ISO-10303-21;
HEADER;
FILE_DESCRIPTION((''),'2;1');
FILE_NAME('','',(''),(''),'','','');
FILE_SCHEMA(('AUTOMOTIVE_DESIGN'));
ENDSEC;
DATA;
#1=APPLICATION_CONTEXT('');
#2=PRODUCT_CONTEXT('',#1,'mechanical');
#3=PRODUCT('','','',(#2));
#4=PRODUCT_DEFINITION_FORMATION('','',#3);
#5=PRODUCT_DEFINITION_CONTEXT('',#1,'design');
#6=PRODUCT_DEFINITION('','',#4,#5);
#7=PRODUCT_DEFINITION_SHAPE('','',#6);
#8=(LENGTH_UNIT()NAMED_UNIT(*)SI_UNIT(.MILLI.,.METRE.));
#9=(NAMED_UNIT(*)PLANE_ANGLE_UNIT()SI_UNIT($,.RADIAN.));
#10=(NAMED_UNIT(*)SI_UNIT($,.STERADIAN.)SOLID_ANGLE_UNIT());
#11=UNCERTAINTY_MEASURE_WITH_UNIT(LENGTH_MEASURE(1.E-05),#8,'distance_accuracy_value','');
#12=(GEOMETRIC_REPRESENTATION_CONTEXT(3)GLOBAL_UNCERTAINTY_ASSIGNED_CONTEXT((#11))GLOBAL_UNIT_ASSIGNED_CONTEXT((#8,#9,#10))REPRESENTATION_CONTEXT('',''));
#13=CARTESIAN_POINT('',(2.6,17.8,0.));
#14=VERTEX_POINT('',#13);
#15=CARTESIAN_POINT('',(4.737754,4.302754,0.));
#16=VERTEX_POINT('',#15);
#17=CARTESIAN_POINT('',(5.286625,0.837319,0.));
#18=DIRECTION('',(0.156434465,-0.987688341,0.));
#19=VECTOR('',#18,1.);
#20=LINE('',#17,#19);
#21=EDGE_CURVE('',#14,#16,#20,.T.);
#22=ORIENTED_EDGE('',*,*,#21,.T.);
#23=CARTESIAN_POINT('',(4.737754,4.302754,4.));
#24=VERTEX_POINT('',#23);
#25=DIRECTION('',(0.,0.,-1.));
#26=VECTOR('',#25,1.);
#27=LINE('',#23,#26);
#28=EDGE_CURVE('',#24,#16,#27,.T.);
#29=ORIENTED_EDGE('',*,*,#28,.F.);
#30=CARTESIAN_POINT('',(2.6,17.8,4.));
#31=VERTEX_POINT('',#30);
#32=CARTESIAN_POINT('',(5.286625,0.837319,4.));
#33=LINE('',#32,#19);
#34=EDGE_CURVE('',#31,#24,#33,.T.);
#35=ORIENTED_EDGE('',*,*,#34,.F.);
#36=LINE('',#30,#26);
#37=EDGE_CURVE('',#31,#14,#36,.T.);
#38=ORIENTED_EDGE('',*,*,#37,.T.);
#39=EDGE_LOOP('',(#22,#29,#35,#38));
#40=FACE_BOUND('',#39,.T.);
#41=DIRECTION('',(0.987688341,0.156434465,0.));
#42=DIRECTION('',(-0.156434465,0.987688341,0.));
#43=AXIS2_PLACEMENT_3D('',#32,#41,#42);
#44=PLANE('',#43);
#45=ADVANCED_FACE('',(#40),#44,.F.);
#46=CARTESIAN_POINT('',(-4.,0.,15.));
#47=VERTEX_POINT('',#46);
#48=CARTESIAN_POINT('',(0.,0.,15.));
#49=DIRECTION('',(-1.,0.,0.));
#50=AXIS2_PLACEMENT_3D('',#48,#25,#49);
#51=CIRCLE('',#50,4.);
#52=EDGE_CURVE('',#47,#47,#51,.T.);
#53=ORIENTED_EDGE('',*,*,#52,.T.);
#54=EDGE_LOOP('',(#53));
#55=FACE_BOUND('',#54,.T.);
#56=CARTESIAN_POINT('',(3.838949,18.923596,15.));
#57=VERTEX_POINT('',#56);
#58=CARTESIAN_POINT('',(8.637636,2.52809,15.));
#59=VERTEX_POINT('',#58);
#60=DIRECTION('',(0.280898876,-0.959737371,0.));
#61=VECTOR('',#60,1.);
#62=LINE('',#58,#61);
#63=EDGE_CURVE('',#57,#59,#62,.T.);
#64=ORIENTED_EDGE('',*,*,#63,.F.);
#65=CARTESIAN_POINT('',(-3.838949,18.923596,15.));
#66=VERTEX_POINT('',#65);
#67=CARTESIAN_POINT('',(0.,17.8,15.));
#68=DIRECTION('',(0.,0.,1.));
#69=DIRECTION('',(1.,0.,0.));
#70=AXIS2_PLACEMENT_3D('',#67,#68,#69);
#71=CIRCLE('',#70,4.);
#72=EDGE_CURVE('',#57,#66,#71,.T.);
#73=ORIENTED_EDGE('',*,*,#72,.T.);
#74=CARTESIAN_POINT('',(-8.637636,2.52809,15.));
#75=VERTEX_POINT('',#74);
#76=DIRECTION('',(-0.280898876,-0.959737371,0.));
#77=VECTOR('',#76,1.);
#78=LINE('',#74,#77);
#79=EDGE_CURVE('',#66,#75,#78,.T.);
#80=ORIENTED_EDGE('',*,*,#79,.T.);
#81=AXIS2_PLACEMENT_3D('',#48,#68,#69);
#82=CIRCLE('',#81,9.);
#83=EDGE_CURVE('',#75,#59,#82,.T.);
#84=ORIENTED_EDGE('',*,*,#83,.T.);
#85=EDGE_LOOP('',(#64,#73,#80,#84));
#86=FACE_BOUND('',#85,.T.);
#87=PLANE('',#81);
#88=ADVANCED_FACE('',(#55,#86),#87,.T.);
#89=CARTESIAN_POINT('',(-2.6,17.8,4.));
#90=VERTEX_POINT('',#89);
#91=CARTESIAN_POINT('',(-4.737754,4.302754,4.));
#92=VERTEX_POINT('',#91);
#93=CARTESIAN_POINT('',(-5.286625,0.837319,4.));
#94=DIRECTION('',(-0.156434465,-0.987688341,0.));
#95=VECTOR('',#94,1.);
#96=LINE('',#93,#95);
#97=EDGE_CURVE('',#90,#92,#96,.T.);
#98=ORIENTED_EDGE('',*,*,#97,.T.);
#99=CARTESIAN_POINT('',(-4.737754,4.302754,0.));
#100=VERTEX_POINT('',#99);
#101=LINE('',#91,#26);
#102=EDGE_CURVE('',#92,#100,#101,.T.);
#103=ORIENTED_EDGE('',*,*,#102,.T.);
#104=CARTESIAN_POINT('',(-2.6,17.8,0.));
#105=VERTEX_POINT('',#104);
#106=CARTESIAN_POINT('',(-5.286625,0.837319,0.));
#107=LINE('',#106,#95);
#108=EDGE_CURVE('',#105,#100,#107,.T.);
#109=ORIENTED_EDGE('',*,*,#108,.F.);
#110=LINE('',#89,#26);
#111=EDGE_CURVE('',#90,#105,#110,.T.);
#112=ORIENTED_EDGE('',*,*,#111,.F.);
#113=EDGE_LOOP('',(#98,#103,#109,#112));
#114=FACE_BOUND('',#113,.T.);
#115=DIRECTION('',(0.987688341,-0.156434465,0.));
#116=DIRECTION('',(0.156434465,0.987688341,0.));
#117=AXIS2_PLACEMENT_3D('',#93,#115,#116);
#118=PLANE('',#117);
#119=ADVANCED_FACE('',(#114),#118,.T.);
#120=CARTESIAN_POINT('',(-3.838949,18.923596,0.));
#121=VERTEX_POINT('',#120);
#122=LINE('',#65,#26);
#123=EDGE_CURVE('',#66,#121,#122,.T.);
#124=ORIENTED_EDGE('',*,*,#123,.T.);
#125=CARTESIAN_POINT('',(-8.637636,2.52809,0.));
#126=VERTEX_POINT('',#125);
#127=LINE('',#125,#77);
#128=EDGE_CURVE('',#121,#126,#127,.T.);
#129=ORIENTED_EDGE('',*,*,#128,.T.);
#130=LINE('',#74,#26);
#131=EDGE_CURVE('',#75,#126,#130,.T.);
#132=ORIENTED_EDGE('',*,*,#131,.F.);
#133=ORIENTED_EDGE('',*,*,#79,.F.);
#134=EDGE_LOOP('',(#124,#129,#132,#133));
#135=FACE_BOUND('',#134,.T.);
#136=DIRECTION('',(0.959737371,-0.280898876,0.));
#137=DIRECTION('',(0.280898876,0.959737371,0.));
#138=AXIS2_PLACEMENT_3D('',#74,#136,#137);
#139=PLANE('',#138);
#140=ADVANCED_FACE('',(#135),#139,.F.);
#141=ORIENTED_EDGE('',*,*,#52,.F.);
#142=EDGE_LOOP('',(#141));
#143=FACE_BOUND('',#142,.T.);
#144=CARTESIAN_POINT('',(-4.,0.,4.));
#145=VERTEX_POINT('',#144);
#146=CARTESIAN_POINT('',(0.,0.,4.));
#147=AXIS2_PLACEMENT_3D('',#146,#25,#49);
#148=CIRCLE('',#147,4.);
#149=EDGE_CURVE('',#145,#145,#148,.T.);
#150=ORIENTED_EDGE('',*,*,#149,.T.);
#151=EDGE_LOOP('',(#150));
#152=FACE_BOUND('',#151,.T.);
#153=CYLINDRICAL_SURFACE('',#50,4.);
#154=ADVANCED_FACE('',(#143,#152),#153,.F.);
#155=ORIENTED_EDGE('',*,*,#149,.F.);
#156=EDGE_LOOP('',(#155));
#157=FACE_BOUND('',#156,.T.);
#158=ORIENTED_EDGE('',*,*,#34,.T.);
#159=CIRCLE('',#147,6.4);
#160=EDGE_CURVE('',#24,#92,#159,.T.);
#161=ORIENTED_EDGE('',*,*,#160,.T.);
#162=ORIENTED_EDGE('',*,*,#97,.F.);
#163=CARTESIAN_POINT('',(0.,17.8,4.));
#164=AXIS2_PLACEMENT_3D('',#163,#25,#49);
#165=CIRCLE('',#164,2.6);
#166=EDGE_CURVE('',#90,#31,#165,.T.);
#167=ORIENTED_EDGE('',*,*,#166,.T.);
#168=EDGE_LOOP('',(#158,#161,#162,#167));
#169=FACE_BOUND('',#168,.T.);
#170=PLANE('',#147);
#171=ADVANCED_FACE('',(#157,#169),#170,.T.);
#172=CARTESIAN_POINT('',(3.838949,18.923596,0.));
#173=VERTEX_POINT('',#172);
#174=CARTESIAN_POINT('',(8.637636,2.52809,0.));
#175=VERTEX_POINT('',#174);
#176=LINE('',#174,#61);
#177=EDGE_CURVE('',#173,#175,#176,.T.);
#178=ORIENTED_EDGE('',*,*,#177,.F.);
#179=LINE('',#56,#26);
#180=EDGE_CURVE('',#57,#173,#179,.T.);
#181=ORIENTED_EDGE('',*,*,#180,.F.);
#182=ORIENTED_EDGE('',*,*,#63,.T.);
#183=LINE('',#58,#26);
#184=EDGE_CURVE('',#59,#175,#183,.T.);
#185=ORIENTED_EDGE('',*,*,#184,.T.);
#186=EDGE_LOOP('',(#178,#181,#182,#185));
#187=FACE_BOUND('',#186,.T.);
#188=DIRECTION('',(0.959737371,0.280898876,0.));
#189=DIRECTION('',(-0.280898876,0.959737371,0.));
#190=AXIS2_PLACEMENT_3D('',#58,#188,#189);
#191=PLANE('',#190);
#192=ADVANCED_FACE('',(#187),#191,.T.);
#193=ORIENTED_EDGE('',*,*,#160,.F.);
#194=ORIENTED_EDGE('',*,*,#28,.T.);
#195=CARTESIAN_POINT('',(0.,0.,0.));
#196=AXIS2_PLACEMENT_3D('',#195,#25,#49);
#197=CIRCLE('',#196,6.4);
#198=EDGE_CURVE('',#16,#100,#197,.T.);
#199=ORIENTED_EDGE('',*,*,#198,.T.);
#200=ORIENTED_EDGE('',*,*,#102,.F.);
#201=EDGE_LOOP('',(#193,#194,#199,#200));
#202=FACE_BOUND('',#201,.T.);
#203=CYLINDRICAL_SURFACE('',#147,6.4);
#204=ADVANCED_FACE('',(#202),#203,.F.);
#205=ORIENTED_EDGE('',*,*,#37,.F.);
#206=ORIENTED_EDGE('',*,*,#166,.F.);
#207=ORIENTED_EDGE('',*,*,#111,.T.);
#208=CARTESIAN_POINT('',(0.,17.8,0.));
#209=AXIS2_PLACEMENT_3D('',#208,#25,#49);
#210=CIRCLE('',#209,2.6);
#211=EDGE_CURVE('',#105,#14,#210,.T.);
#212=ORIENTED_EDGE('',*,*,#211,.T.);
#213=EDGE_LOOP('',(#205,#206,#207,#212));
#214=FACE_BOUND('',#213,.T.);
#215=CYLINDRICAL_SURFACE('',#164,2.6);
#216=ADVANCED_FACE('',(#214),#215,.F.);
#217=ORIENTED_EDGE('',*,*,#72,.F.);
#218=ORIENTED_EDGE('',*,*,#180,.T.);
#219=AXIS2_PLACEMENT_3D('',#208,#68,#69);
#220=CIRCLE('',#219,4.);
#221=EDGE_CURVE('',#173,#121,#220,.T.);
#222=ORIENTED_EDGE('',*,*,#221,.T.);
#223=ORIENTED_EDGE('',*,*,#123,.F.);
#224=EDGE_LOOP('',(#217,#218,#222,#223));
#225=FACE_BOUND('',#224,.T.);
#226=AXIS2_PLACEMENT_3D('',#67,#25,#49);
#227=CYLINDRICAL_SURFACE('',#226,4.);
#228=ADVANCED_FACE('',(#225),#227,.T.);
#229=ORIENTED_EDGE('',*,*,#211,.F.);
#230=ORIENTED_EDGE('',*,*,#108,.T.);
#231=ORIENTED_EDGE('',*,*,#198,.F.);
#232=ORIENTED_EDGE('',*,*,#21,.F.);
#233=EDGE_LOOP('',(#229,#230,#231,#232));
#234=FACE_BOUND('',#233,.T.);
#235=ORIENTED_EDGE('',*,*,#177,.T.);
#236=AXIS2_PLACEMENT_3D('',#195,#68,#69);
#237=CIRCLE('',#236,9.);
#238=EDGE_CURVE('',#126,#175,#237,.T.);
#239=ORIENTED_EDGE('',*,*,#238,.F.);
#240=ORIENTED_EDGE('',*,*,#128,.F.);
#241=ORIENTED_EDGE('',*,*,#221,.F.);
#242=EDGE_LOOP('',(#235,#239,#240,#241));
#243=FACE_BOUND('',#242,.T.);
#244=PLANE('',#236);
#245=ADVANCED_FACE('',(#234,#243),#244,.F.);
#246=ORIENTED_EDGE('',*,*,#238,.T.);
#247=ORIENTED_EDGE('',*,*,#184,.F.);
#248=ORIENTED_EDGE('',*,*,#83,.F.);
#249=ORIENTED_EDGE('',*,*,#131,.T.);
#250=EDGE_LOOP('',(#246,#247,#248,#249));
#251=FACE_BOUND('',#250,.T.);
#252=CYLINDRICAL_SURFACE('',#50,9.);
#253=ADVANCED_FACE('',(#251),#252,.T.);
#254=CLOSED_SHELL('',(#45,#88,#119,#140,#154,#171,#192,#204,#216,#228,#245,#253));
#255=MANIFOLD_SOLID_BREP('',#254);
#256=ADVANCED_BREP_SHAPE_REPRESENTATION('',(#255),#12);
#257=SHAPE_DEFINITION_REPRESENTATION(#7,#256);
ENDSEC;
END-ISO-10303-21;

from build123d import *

# Parameters (mm, degrees)
EXTRUDE_1_DEPTH     = 15
SKETCH_2_R          = 4
CUT_EXTRUDE_1_DEPTH = 4
SKETCH_2_3_R        = 4
CUT_EXTRUDE_2_DEPTH = 16


with BuildPart() as part:
    # Эскиз1 → Бобышка-Вытянуть1 (new body)
    with BuildSketch(Plane.XY):
        with BuildLine():
            Line((8.637636339, 2.528089888), (3.838949484, 18.923595506))
            ThreePointArc((3.838949484, 18.923595506), (0, 21.8), (-3.838949484, 18.923595506))
            Line((-3.838949484, 18.923595506), (-8.637636339, 2.528089888))
            ThreePointArc((-8.637636339, 2.528089888), (0, -9), (8.637636339, 2.528089888))
        make_face()
    extrude(amount=EXTRUDE_1_DEPTH)

    # Эскиз2 → Вырез-Вытянуть1 (cut)
    with BuildSketch(Plane(origin=(0, 0, 0), x_dir=(-1, 0, 0), z_dir=(0, 0, -1))):
        with BuildLine():
            Line((4.737753812, 4.302753632), (2.6, 17.8))
            ThreePointArc((2.6, 17.8), (0, 20.4), (-2.6, 17.8))
            Line((-2.6, 17.8), (-4.737753812, 4.302753632))
            ThreePointArc((-4.737753812, 4.302753632), (0, -6.4), (4.737753812, 4.302753632))
        make_face()
        Circle(SKETCH_2_R, mode=Mode.SUBTRACT)
    extrude(amount=-CUT_EXTRUDE_1_DEPTH, mode=Mode.SUBTRACT)

    # Эскиз2<3> → Вырез-Вытянуть2 (cut, through all)
    with BuildSketch(Plane(origin=(0, 0, 0), x_dir=(-1, 0, 0), z_dir=(0, 0, -1))):
        Circle(SKETCH_2_3_R)
    extrude(amount=-CUT_EXTRUDE_2_DEPTH, mode=Mode.SUBTRACT)


solid = part.part
